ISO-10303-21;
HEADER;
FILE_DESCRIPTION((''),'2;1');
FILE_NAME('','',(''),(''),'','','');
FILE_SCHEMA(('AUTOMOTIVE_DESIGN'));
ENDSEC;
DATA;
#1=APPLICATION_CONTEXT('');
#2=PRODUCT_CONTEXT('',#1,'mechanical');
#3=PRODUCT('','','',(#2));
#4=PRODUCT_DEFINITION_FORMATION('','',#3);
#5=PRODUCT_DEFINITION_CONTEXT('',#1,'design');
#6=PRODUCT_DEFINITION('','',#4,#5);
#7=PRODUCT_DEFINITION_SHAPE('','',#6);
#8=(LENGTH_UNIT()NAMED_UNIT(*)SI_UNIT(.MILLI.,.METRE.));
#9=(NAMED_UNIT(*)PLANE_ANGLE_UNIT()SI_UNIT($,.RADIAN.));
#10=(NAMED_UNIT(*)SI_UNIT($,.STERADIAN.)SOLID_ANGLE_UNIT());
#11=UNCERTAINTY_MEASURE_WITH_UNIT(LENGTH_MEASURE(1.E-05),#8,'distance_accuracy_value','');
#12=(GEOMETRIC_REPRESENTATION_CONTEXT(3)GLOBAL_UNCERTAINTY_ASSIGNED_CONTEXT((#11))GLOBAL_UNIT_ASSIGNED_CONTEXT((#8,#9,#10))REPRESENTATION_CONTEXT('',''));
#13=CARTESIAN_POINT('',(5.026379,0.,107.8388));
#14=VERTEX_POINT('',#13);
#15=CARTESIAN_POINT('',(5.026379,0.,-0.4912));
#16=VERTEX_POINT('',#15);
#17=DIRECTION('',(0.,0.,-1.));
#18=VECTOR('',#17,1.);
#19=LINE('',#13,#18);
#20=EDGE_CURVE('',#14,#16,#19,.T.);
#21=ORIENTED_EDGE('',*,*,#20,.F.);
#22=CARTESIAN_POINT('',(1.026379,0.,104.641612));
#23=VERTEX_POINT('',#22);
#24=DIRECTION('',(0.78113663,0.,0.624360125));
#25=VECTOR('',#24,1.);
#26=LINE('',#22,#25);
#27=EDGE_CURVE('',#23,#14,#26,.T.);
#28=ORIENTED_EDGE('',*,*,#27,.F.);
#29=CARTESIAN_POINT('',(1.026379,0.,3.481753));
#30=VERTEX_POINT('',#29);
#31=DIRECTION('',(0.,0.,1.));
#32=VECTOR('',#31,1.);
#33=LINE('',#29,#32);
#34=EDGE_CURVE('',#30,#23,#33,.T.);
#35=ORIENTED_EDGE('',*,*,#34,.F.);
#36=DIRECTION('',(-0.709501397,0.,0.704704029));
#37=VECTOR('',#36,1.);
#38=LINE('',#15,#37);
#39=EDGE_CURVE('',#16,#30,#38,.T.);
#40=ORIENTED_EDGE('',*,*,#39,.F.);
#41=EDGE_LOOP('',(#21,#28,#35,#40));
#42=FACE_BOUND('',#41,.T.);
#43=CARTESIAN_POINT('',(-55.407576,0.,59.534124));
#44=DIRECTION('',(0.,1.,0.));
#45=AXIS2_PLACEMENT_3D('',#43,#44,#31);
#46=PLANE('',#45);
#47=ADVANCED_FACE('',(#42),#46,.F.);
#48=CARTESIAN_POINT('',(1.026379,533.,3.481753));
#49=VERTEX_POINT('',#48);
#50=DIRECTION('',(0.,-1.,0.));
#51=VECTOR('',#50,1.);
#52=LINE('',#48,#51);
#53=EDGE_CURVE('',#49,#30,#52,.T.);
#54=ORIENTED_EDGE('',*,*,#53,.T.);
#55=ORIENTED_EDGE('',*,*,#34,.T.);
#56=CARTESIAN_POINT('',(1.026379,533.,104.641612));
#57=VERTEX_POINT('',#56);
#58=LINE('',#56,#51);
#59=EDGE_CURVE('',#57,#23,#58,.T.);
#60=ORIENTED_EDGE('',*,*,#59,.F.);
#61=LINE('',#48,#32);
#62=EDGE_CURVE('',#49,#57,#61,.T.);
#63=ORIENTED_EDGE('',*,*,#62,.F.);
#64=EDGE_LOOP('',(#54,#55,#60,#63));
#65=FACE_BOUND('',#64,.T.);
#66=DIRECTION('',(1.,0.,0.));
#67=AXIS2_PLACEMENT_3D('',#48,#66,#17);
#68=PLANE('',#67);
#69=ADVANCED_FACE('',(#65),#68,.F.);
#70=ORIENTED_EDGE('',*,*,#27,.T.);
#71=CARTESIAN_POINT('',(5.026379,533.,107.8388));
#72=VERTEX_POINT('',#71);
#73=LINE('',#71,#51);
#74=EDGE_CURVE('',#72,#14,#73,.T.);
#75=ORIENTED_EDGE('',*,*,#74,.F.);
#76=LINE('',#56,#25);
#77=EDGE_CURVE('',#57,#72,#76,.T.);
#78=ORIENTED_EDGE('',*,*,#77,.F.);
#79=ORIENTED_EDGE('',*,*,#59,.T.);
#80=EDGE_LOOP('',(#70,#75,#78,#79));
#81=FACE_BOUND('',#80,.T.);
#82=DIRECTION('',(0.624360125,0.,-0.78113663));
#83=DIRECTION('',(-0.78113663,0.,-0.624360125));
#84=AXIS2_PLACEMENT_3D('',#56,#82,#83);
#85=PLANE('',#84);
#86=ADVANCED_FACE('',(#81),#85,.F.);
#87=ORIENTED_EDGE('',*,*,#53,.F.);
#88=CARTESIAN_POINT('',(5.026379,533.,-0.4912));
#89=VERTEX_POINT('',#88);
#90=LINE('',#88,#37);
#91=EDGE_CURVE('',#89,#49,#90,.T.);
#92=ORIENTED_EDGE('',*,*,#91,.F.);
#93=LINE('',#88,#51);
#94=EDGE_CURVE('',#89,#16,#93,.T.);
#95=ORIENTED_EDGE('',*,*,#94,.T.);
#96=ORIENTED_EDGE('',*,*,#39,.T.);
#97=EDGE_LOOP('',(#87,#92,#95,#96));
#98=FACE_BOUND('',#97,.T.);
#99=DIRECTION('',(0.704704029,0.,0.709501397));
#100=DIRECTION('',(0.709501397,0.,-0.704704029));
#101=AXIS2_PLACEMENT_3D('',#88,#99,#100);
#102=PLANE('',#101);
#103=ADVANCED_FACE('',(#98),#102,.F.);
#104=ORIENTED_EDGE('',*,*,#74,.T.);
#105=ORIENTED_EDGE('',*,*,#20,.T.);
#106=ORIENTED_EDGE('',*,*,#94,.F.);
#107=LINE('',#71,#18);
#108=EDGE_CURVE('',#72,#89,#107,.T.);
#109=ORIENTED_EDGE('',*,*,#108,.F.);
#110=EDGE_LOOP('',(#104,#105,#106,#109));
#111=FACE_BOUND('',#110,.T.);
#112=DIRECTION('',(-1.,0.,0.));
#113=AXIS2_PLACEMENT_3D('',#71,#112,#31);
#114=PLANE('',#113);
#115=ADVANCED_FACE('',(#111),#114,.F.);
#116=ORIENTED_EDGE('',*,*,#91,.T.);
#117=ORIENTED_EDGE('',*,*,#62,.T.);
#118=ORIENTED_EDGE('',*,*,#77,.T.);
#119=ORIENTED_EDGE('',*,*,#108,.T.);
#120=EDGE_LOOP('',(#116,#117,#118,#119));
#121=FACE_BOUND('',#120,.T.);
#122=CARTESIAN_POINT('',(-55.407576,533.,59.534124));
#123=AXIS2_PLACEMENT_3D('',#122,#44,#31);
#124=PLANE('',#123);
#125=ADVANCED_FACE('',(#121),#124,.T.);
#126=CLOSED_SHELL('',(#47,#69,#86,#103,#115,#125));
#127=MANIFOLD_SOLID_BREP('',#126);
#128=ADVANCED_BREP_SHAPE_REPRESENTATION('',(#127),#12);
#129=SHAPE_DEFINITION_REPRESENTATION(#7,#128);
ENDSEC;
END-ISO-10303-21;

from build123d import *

# Parameters (mm, degrees)
EXTRUDE_1_DEPTH = 533


with BuildPart() as part:
    # Эскиз1 → Вытянуть1 (new body)
    with BuildSketch(Plane(origin=(0, 0, 0), x_dir=(1, 0, 0), z_dir=(0, 1, 0))):
        Polygon((1.026379046, -3.481753381), (1.026379046, -104.641612003), (5.026379046, -107.838799799), (5.026379046, 0.491200201), align=None)
    extrude(amount=EXTRUDE_1_DEPTH)


solid = part.part
